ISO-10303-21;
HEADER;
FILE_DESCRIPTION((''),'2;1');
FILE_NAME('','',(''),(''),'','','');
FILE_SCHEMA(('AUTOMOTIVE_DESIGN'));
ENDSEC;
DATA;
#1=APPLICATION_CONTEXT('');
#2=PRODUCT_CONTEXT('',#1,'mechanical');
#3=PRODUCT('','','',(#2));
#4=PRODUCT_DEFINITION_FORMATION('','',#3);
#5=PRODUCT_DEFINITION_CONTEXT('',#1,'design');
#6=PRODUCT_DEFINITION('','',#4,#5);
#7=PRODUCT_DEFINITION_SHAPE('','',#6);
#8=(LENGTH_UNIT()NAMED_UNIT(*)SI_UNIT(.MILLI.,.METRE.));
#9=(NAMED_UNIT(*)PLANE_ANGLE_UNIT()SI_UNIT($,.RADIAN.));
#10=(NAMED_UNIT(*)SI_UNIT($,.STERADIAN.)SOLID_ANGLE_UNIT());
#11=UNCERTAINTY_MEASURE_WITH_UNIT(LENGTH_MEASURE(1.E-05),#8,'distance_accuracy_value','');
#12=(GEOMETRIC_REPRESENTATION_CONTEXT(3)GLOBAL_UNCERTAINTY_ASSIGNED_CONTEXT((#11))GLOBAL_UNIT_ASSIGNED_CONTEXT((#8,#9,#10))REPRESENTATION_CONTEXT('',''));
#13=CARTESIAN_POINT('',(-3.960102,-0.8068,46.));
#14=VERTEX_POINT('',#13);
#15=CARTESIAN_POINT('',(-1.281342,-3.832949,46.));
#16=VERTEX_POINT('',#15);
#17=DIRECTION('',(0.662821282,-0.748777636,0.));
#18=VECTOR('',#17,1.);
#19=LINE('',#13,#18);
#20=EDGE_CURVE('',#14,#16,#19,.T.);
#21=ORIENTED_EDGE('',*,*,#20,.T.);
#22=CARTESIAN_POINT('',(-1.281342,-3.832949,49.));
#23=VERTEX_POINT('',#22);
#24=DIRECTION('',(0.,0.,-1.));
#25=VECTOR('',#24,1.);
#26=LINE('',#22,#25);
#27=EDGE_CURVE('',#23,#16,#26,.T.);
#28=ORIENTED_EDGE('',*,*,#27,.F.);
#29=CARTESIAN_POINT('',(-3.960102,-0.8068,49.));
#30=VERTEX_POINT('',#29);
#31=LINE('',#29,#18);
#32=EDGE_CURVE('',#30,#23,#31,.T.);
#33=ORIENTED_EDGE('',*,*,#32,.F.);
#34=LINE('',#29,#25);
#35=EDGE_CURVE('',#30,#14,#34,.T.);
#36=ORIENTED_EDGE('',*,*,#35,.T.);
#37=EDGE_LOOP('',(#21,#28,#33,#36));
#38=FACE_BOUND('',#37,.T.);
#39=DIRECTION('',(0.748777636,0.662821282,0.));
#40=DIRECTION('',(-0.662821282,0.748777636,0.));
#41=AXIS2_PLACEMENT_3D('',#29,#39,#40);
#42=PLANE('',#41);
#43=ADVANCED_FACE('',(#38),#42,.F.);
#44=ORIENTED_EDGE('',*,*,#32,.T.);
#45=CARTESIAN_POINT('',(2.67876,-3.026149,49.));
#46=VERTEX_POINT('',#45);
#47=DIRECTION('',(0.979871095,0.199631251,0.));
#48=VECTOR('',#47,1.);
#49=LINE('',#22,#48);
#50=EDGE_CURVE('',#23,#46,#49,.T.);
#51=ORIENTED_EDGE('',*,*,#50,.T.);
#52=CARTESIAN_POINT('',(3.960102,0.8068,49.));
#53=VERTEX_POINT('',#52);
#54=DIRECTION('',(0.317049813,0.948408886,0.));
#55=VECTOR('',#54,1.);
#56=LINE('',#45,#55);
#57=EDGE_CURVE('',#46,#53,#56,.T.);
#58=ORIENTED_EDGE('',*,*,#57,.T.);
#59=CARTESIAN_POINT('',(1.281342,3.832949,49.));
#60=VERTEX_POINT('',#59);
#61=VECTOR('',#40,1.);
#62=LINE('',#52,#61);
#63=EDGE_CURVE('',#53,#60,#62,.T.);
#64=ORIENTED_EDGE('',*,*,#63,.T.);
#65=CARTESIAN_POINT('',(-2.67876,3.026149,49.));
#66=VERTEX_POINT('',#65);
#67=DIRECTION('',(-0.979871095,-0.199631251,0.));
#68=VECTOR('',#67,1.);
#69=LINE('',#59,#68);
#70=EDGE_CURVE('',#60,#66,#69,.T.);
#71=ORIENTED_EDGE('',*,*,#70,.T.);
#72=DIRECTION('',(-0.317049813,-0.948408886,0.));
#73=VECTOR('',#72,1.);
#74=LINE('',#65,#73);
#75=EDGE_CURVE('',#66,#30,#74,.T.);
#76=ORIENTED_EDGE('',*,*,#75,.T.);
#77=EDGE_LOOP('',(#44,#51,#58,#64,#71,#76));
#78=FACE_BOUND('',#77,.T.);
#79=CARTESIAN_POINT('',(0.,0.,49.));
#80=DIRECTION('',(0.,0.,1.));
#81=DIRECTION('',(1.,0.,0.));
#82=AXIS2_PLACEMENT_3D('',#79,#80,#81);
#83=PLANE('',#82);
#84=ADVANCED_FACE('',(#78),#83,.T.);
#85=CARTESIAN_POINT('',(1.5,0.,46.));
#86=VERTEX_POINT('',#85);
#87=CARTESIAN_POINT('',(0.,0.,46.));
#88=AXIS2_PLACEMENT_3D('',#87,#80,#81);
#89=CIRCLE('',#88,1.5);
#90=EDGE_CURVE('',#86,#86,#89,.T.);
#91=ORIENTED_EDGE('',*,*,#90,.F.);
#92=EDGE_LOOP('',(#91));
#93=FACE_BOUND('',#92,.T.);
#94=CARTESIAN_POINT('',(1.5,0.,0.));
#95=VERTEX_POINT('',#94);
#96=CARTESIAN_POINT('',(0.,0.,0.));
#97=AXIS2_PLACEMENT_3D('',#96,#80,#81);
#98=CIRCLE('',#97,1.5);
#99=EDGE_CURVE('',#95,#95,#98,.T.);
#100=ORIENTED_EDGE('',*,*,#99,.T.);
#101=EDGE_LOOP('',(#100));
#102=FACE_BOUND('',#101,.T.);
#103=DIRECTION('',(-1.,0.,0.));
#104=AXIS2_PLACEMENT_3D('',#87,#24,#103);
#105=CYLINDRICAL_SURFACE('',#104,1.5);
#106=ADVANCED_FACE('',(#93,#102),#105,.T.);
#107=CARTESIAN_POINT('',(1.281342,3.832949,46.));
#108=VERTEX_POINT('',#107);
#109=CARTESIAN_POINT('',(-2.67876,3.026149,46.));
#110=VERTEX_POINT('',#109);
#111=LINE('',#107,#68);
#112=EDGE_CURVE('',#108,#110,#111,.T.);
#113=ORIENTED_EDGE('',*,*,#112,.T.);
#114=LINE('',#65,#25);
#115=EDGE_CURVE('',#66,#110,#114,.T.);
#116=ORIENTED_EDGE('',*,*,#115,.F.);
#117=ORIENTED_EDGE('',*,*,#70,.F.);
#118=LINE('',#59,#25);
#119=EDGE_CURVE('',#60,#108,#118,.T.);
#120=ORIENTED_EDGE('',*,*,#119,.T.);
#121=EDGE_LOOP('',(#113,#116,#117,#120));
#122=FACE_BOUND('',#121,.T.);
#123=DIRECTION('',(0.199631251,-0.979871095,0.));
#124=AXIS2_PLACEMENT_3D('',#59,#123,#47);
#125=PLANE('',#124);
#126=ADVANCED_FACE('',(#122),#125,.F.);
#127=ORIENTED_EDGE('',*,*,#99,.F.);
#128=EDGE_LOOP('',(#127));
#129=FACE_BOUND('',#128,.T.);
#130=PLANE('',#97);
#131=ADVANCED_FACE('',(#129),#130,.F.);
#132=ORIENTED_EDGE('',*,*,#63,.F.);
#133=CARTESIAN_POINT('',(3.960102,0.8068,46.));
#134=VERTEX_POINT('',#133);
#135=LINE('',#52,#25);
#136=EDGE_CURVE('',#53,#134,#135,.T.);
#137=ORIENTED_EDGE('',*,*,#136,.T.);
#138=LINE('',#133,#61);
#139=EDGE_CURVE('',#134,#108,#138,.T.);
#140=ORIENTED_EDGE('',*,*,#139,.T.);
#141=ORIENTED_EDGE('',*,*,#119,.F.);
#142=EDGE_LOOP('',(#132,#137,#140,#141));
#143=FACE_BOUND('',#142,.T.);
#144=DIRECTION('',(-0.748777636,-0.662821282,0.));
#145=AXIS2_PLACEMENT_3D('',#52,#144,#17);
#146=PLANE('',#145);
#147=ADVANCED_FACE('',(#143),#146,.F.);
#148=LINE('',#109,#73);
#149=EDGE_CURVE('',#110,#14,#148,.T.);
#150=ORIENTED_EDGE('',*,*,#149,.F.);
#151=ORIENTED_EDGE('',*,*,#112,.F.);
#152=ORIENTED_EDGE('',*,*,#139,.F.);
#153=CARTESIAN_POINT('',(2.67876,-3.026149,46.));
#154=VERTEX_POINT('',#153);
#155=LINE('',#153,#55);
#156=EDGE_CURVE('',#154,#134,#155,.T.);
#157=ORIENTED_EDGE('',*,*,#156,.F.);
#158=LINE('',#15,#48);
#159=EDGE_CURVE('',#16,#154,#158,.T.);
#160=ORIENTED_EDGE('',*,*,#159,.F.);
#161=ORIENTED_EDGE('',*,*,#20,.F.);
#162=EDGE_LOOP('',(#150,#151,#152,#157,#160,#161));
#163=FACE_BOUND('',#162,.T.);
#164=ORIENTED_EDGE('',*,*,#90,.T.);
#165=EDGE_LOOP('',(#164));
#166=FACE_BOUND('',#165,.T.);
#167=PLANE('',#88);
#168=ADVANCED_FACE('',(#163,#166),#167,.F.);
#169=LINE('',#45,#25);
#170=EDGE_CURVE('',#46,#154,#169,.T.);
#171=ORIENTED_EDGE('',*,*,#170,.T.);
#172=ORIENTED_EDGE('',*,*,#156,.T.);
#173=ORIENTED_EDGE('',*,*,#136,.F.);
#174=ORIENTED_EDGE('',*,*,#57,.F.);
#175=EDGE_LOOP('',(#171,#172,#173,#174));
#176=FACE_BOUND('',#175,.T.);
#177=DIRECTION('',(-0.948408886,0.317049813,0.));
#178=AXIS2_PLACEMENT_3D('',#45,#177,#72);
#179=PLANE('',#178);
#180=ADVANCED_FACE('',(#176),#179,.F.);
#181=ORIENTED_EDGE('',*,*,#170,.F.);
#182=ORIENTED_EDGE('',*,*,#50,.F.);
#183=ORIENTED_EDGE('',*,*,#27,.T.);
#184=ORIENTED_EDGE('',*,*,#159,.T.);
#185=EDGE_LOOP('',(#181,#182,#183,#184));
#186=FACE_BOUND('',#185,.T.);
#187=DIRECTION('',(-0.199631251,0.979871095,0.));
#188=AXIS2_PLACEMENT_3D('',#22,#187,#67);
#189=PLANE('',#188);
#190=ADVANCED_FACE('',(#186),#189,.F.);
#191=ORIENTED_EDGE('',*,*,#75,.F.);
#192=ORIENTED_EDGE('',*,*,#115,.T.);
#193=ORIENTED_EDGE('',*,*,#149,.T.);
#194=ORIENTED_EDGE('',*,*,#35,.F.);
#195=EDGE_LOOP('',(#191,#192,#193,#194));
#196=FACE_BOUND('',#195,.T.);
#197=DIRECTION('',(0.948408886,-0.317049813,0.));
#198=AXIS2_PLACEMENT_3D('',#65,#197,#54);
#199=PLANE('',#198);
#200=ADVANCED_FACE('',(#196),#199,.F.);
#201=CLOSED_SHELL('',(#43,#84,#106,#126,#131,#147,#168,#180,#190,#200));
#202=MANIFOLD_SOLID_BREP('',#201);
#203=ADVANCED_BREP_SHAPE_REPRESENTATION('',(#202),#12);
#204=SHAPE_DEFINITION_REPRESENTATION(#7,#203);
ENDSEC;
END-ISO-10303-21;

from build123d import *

# Parameters (mm, degrees)
SKETCH1_R           = 1.5
BOSS_EXTRUDE1_DEPTH = 46
BOSS_EXTRUDE2_DEPTH = 3


with BuildPart() as part:
    # Sketch1 → Boss-Extrude1 (new body)
    with BuildSketch(Plane.XY):
        Circle(SKETCH1_R)
    extrude(amount=BOSS_EXTRUDE1_DEPTH)

    # Sketch2 → Boss-Extrude2 (add)
    with BuildSketch(Plane.XY.offset(46)):
        Polygon((1.281341565, 3.832948881), (-2.67876032, 3.026148787), (-3.960101885, -0.806800094), (-1.281341565, -3.832948881), (2.67876032, -3.026148787), (3.960101885, 0.806800094), align=None)
    extrude(amount=BOSS_EXTRUDE2_DEPTH)


solid = part.part
